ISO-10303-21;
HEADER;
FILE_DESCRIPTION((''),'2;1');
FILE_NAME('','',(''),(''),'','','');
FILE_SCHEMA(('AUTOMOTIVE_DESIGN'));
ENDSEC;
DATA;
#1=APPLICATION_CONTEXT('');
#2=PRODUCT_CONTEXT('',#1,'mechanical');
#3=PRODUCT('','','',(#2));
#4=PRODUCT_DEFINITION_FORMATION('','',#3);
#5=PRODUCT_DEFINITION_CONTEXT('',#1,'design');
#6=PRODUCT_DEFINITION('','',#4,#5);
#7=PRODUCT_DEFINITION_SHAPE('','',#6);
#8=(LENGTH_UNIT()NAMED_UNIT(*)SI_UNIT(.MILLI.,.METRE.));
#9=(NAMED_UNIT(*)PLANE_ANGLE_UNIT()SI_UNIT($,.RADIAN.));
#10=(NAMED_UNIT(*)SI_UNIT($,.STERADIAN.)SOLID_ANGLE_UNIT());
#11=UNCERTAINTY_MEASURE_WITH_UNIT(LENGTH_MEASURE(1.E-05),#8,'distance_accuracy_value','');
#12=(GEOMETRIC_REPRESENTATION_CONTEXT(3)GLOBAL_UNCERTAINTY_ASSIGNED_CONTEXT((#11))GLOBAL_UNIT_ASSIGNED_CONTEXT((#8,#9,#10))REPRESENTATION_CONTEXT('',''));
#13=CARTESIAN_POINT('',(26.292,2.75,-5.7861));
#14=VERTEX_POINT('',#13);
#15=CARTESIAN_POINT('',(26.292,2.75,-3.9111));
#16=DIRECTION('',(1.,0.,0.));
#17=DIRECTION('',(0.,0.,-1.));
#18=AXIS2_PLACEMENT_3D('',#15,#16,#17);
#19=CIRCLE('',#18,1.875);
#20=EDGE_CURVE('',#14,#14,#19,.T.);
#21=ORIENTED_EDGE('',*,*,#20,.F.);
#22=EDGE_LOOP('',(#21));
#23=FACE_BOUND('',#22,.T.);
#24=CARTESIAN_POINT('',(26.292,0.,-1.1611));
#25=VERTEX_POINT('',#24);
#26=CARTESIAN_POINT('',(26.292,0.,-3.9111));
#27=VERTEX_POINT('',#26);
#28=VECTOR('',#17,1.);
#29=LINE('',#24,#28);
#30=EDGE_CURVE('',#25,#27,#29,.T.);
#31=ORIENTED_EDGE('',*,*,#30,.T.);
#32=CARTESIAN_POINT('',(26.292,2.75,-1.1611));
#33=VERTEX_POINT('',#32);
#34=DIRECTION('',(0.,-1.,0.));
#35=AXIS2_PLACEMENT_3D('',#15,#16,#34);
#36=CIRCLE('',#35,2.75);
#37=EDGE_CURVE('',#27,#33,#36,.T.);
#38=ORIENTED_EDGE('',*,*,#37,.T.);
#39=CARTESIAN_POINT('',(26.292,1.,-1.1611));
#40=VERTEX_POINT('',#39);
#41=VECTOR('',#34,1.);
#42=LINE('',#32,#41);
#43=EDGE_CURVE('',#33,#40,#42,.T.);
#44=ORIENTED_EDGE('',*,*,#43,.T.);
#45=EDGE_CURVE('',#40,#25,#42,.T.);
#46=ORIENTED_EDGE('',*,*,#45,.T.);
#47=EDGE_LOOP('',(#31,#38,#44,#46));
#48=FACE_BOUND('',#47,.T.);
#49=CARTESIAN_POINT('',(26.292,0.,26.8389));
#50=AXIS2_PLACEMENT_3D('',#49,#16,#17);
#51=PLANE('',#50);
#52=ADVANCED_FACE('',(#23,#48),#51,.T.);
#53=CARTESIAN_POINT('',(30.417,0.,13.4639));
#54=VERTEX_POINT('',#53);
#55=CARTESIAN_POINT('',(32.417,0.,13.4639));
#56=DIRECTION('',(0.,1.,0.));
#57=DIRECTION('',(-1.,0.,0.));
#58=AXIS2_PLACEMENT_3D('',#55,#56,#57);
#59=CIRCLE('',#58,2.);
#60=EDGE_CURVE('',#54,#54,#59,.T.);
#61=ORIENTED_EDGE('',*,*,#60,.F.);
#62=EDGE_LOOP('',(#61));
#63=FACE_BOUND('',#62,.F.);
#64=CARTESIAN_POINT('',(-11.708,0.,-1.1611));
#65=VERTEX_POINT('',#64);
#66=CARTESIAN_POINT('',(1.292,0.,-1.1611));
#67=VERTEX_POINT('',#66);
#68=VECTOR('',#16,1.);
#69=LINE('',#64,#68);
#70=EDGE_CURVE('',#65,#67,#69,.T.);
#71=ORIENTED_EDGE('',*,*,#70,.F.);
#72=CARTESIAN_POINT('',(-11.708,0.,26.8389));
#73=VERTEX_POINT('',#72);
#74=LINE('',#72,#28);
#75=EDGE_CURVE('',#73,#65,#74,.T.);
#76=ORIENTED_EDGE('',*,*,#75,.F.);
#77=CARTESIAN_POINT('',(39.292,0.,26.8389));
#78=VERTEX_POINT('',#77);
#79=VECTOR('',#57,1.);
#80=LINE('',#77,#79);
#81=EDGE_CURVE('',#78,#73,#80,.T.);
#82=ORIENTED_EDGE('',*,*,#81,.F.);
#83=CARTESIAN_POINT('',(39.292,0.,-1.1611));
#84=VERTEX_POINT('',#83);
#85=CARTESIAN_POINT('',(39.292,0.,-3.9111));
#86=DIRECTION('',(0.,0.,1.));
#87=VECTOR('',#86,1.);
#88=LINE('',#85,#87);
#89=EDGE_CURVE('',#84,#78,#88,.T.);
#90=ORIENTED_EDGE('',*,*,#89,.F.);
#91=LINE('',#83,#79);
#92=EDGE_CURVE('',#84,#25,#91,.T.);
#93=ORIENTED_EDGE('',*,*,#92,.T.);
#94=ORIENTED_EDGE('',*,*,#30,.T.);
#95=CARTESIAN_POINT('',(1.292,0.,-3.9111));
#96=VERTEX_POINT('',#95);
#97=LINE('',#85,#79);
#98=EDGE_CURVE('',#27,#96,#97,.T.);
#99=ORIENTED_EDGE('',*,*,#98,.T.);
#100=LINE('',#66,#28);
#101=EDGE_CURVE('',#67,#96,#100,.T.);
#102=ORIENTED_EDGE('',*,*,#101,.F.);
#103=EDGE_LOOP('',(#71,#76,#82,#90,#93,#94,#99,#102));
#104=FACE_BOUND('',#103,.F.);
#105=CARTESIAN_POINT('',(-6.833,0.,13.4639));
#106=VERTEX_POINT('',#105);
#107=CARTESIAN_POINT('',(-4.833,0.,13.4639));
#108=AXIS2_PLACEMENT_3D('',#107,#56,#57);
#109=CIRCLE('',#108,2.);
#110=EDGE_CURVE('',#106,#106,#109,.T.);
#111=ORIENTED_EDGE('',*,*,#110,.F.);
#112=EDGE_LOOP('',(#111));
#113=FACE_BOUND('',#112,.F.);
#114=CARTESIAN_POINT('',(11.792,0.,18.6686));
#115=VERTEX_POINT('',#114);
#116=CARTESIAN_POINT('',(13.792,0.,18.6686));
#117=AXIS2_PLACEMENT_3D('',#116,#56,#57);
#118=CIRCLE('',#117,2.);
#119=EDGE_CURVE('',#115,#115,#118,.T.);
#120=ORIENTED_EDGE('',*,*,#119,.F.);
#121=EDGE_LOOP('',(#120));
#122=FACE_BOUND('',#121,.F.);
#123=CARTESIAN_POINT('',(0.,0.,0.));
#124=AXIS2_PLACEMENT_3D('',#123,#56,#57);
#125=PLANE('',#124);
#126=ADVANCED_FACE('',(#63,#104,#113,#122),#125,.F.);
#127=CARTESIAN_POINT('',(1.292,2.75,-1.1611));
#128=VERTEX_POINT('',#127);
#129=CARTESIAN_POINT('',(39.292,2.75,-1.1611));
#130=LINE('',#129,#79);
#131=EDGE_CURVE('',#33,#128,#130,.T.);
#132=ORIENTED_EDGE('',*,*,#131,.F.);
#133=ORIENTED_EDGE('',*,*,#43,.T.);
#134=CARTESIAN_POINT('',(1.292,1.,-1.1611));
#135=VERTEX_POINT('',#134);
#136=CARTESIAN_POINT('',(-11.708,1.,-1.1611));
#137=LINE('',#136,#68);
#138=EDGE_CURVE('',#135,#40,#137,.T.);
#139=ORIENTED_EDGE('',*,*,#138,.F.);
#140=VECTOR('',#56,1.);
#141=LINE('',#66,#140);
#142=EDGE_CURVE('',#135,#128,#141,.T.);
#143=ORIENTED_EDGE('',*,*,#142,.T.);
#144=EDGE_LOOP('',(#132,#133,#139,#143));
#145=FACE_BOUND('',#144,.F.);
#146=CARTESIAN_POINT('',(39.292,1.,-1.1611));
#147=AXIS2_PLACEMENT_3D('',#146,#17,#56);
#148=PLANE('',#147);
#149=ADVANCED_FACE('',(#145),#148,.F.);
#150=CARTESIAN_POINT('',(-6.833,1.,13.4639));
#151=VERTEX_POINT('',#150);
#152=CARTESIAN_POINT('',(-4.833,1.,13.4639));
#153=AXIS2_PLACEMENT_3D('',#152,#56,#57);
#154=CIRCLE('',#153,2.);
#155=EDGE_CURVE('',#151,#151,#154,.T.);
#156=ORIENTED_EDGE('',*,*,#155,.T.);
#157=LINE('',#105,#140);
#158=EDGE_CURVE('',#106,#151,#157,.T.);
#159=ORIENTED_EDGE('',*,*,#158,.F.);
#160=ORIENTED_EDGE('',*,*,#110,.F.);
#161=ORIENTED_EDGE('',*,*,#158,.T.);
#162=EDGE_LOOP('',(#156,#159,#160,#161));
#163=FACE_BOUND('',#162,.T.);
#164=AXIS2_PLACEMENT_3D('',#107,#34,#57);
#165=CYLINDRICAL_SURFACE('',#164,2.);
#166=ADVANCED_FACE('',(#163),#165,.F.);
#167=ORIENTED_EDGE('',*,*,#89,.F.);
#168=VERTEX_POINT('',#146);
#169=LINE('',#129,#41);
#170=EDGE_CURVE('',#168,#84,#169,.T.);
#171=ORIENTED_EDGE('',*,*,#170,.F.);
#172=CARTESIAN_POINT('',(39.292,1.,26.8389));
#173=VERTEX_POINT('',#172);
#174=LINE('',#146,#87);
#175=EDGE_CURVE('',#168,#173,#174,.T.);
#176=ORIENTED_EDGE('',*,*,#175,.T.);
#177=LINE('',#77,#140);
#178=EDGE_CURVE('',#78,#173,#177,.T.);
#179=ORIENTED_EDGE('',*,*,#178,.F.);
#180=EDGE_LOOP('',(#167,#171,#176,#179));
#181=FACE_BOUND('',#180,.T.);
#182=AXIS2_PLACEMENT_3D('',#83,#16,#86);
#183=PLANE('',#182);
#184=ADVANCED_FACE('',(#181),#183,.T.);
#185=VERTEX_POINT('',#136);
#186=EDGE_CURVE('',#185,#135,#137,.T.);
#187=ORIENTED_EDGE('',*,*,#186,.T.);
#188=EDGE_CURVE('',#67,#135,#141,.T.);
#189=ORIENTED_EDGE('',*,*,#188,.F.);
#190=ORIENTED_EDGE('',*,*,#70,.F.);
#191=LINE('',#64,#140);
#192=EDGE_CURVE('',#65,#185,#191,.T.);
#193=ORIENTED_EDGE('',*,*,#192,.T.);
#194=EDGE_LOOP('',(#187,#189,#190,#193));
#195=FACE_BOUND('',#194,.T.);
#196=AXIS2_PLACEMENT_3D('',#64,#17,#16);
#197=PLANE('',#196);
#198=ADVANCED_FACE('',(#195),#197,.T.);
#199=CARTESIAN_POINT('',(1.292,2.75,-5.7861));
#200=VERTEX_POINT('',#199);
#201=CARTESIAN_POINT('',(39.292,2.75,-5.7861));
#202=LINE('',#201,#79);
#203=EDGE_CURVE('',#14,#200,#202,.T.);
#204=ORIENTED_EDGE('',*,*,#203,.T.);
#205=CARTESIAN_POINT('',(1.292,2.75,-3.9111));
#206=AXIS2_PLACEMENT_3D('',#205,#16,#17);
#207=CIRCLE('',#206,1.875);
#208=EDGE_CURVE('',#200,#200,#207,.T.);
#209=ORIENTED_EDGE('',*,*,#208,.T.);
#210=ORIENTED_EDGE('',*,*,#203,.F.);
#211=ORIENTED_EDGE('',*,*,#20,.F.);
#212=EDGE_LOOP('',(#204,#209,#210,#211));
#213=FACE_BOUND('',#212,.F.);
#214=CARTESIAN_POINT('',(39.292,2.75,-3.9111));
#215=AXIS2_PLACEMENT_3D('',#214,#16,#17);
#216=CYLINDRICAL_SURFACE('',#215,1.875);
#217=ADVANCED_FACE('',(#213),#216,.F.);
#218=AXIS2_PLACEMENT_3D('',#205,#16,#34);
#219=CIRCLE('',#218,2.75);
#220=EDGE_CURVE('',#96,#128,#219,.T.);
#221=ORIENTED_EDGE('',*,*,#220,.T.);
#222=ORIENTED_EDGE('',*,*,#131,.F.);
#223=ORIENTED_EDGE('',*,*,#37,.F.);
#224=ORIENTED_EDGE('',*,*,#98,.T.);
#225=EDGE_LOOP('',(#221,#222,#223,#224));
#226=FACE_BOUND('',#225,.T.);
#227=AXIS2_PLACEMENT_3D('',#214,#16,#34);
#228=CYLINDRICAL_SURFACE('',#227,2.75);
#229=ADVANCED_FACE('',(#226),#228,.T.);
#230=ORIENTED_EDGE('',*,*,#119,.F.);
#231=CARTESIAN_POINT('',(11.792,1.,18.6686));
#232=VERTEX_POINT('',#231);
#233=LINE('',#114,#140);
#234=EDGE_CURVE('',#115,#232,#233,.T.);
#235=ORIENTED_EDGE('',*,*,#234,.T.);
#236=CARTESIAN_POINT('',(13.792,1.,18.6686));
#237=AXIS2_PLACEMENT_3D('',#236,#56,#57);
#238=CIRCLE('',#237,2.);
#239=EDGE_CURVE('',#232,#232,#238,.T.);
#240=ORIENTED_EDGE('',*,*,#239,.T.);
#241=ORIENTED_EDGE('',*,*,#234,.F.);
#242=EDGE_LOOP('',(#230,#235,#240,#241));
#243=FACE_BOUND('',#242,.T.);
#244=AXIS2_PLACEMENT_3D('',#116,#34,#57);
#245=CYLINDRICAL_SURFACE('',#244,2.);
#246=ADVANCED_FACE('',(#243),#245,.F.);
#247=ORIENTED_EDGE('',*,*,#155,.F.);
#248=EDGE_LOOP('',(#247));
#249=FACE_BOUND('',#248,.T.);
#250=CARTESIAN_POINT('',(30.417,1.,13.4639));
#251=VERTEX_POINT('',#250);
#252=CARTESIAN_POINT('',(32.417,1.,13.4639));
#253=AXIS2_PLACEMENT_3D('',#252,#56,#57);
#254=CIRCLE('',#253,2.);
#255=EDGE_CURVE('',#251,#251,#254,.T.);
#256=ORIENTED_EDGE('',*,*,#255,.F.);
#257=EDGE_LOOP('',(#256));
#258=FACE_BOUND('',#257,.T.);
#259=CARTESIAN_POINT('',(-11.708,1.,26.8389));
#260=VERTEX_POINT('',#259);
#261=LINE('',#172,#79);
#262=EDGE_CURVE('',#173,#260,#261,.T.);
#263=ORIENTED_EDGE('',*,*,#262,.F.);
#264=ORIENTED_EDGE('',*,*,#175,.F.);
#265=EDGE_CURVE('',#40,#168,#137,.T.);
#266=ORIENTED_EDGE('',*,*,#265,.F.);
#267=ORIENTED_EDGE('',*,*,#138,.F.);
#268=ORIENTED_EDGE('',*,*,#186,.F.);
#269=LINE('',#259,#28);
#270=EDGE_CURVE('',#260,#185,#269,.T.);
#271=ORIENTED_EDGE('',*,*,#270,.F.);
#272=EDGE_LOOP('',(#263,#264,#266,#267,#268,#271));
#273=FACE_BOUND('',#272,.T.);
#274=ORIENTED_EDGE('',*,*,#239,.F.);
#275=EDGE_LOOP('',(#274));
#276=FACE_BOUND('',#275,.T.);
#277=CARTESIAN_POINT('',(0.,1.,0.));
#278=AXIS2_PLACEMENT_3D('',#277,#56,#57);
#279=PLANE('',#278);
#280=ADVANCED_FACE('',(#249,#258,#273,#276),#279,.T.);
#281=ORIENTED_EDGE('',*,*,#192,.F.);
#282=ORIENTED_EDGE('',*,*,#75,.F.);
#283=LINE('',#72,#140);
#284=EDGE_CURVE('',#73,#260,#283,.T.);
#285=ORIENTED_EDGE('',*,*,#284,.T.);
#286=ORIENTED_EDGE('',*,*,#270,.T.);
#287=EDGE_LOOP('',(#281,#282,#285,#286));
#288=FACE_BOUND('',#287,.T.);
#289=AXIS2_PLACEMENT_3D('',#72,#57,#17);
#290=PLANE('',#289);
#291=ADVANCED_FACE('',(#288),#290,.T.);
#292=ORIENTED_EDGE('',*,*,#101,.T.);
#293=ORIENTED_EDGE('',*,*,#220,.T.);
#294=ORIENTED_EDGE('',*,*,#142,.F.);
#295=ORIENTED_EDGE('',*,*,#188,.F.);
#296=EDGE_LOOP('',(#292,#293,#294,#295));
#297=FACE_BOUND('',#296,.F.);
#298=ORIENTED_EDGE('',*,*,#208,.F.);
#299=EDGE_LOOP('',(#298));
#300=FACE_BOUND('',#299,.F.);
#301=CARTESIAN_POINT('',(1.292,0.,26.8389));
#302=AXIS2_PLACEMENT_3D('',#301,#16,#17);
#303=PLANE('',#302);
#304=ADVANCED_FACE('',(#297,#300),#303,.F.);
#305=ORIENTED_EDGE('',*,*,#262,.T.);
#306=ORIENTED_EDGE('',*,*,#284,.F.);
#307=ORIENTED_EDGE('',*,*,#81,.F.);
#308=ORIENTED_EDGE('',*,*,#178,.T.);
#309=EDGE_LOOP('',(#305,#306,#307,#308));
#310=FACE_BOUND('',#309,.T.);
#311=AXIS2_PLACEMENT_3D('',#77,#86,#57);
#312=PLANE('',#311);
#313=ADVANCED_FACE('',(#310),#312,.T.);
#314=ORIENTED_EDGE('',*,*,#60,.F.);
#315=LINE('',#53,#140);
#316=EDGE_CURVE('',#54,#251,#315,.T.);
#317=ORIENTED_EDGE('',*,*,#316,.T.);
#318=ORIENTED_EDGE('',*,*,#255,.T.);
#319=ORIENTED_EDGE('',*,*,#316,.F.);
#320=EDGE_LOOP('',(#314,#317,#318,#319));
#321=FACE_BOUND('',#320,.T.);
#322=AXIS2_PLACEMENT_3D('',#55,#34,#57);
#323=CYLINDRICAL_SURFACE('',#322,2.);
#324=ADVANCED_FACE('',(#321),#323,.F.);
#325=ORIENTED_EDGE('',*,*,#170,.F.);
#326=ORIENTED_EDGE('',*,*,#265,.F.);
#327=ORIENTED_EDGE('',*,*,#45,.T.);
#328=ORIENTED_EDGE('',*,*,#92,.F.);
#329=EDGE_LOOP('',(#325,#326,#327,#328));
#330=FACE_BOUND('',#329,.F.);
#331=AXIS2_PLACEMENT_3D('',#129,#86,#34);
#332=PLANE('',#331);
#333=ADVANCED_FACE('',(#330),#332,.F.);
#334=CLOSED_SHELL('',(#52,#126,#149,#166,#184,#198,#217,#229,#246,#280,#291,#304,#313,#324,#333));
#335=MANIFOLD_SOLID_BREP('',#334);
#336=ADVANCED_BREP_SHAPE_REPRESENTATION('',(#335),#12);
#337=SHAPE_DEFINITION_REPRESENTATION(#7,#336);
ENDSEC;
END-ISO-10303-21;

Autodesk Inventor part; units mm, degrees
ref_plane "YZ Plane" through (0, 0, 0) normal (1, 0, 0) x (0, 1, 0)
ref_plane "XZ Plane" through (0, 0, 0) normal (0, 1, 0) x (-1, 0, 0)
ref_plane "XY Plane" through (0, 0, 0) normal (0, 0, 1) x (1, 0, 0)
sketch "Boceto1" plane through (0, 0, 0) normal (0, 1, 0) x (-1, 0, 0)
  line L0 (11.708, 26.8389) -> (11.708, -1.1611)
  line L1 (11.708, -1.1611) -> (-39.292, -1.1611)
  line L2 (-39.292, -1.1611) -> (-39.292, 26.8389)
  line L3 (-39.292, 26.8389) -> (11.708, 26.8389)
  circle A0 centre (4.833, 13.4639) radius 2
  circle A1 centre (-32.417, 13.4639) radius 2
  circle A2 centre (-13.792, 18.6686) radius 2
  point P0 (0, 0)
  point P1 (0, 0)
  dimension "d0" = 28
  dimension "d1" = 51
  dimension "d2" = 4
  dimension "d3" = 4
  dimension "d4" = 4
  dimension "d5" = 25.5
  dimension "d6" = 6.875
  dimension "d7" = 13.375
  dimension "d8" = 6.875
  dimension "d9" = 13.375
extrude "Extrusión1" add sketch "Boceto1" along normal blind 1
sketch "Boceto2" plane through (39.292, 0, 26.8389) normal (1, 0, 0) x (0, 0, -1)
  arc A0 (30.75, 0) -> (28, 2.75) centre (30.75, 2.75) ccw
  circle A1 centre (30.75, 2.75) radius 1.875
  line L0 (0, 0) -> (28, 0) projected
  line L1 (28, 0) -> (28, 1) projected
  line L2 (28, 0) -> (30.75, 0)
  line L3 (28, 0) -> (28, 2.75)
  point P0 (26.8389, 0)
  dimension "d12" = 5.5
  dimension "d13" = 3.75
extrude "Extrusión2" add sketch "Boceto2" against normal blind 38
sketch "Boceto3" plane through (39.292, 0, 26.8389) normal (1, 0, 0) x (0, 0, -1)
  circle A0 centre (30.75, 2.75) radius 1.875 projected
  arc A1 (30.75, 0) -> (28, 2.75) centre (30.75, 2.75) ccw
  arc A2 (30.75, 0) -> (28, 2.75) centre (30.75, 2.75) ccw projected
  line L0 (28, 2.75) -> (28, 0)
  line L1 (28, 0) -> (30.75, 0)
  point P0 (26.8389, 0)
extrude "Extrusión3" cut sketch "Boceto3" against normal blind 13
properties part number "Ala 2 Bisagra tipo Libro Grande"
